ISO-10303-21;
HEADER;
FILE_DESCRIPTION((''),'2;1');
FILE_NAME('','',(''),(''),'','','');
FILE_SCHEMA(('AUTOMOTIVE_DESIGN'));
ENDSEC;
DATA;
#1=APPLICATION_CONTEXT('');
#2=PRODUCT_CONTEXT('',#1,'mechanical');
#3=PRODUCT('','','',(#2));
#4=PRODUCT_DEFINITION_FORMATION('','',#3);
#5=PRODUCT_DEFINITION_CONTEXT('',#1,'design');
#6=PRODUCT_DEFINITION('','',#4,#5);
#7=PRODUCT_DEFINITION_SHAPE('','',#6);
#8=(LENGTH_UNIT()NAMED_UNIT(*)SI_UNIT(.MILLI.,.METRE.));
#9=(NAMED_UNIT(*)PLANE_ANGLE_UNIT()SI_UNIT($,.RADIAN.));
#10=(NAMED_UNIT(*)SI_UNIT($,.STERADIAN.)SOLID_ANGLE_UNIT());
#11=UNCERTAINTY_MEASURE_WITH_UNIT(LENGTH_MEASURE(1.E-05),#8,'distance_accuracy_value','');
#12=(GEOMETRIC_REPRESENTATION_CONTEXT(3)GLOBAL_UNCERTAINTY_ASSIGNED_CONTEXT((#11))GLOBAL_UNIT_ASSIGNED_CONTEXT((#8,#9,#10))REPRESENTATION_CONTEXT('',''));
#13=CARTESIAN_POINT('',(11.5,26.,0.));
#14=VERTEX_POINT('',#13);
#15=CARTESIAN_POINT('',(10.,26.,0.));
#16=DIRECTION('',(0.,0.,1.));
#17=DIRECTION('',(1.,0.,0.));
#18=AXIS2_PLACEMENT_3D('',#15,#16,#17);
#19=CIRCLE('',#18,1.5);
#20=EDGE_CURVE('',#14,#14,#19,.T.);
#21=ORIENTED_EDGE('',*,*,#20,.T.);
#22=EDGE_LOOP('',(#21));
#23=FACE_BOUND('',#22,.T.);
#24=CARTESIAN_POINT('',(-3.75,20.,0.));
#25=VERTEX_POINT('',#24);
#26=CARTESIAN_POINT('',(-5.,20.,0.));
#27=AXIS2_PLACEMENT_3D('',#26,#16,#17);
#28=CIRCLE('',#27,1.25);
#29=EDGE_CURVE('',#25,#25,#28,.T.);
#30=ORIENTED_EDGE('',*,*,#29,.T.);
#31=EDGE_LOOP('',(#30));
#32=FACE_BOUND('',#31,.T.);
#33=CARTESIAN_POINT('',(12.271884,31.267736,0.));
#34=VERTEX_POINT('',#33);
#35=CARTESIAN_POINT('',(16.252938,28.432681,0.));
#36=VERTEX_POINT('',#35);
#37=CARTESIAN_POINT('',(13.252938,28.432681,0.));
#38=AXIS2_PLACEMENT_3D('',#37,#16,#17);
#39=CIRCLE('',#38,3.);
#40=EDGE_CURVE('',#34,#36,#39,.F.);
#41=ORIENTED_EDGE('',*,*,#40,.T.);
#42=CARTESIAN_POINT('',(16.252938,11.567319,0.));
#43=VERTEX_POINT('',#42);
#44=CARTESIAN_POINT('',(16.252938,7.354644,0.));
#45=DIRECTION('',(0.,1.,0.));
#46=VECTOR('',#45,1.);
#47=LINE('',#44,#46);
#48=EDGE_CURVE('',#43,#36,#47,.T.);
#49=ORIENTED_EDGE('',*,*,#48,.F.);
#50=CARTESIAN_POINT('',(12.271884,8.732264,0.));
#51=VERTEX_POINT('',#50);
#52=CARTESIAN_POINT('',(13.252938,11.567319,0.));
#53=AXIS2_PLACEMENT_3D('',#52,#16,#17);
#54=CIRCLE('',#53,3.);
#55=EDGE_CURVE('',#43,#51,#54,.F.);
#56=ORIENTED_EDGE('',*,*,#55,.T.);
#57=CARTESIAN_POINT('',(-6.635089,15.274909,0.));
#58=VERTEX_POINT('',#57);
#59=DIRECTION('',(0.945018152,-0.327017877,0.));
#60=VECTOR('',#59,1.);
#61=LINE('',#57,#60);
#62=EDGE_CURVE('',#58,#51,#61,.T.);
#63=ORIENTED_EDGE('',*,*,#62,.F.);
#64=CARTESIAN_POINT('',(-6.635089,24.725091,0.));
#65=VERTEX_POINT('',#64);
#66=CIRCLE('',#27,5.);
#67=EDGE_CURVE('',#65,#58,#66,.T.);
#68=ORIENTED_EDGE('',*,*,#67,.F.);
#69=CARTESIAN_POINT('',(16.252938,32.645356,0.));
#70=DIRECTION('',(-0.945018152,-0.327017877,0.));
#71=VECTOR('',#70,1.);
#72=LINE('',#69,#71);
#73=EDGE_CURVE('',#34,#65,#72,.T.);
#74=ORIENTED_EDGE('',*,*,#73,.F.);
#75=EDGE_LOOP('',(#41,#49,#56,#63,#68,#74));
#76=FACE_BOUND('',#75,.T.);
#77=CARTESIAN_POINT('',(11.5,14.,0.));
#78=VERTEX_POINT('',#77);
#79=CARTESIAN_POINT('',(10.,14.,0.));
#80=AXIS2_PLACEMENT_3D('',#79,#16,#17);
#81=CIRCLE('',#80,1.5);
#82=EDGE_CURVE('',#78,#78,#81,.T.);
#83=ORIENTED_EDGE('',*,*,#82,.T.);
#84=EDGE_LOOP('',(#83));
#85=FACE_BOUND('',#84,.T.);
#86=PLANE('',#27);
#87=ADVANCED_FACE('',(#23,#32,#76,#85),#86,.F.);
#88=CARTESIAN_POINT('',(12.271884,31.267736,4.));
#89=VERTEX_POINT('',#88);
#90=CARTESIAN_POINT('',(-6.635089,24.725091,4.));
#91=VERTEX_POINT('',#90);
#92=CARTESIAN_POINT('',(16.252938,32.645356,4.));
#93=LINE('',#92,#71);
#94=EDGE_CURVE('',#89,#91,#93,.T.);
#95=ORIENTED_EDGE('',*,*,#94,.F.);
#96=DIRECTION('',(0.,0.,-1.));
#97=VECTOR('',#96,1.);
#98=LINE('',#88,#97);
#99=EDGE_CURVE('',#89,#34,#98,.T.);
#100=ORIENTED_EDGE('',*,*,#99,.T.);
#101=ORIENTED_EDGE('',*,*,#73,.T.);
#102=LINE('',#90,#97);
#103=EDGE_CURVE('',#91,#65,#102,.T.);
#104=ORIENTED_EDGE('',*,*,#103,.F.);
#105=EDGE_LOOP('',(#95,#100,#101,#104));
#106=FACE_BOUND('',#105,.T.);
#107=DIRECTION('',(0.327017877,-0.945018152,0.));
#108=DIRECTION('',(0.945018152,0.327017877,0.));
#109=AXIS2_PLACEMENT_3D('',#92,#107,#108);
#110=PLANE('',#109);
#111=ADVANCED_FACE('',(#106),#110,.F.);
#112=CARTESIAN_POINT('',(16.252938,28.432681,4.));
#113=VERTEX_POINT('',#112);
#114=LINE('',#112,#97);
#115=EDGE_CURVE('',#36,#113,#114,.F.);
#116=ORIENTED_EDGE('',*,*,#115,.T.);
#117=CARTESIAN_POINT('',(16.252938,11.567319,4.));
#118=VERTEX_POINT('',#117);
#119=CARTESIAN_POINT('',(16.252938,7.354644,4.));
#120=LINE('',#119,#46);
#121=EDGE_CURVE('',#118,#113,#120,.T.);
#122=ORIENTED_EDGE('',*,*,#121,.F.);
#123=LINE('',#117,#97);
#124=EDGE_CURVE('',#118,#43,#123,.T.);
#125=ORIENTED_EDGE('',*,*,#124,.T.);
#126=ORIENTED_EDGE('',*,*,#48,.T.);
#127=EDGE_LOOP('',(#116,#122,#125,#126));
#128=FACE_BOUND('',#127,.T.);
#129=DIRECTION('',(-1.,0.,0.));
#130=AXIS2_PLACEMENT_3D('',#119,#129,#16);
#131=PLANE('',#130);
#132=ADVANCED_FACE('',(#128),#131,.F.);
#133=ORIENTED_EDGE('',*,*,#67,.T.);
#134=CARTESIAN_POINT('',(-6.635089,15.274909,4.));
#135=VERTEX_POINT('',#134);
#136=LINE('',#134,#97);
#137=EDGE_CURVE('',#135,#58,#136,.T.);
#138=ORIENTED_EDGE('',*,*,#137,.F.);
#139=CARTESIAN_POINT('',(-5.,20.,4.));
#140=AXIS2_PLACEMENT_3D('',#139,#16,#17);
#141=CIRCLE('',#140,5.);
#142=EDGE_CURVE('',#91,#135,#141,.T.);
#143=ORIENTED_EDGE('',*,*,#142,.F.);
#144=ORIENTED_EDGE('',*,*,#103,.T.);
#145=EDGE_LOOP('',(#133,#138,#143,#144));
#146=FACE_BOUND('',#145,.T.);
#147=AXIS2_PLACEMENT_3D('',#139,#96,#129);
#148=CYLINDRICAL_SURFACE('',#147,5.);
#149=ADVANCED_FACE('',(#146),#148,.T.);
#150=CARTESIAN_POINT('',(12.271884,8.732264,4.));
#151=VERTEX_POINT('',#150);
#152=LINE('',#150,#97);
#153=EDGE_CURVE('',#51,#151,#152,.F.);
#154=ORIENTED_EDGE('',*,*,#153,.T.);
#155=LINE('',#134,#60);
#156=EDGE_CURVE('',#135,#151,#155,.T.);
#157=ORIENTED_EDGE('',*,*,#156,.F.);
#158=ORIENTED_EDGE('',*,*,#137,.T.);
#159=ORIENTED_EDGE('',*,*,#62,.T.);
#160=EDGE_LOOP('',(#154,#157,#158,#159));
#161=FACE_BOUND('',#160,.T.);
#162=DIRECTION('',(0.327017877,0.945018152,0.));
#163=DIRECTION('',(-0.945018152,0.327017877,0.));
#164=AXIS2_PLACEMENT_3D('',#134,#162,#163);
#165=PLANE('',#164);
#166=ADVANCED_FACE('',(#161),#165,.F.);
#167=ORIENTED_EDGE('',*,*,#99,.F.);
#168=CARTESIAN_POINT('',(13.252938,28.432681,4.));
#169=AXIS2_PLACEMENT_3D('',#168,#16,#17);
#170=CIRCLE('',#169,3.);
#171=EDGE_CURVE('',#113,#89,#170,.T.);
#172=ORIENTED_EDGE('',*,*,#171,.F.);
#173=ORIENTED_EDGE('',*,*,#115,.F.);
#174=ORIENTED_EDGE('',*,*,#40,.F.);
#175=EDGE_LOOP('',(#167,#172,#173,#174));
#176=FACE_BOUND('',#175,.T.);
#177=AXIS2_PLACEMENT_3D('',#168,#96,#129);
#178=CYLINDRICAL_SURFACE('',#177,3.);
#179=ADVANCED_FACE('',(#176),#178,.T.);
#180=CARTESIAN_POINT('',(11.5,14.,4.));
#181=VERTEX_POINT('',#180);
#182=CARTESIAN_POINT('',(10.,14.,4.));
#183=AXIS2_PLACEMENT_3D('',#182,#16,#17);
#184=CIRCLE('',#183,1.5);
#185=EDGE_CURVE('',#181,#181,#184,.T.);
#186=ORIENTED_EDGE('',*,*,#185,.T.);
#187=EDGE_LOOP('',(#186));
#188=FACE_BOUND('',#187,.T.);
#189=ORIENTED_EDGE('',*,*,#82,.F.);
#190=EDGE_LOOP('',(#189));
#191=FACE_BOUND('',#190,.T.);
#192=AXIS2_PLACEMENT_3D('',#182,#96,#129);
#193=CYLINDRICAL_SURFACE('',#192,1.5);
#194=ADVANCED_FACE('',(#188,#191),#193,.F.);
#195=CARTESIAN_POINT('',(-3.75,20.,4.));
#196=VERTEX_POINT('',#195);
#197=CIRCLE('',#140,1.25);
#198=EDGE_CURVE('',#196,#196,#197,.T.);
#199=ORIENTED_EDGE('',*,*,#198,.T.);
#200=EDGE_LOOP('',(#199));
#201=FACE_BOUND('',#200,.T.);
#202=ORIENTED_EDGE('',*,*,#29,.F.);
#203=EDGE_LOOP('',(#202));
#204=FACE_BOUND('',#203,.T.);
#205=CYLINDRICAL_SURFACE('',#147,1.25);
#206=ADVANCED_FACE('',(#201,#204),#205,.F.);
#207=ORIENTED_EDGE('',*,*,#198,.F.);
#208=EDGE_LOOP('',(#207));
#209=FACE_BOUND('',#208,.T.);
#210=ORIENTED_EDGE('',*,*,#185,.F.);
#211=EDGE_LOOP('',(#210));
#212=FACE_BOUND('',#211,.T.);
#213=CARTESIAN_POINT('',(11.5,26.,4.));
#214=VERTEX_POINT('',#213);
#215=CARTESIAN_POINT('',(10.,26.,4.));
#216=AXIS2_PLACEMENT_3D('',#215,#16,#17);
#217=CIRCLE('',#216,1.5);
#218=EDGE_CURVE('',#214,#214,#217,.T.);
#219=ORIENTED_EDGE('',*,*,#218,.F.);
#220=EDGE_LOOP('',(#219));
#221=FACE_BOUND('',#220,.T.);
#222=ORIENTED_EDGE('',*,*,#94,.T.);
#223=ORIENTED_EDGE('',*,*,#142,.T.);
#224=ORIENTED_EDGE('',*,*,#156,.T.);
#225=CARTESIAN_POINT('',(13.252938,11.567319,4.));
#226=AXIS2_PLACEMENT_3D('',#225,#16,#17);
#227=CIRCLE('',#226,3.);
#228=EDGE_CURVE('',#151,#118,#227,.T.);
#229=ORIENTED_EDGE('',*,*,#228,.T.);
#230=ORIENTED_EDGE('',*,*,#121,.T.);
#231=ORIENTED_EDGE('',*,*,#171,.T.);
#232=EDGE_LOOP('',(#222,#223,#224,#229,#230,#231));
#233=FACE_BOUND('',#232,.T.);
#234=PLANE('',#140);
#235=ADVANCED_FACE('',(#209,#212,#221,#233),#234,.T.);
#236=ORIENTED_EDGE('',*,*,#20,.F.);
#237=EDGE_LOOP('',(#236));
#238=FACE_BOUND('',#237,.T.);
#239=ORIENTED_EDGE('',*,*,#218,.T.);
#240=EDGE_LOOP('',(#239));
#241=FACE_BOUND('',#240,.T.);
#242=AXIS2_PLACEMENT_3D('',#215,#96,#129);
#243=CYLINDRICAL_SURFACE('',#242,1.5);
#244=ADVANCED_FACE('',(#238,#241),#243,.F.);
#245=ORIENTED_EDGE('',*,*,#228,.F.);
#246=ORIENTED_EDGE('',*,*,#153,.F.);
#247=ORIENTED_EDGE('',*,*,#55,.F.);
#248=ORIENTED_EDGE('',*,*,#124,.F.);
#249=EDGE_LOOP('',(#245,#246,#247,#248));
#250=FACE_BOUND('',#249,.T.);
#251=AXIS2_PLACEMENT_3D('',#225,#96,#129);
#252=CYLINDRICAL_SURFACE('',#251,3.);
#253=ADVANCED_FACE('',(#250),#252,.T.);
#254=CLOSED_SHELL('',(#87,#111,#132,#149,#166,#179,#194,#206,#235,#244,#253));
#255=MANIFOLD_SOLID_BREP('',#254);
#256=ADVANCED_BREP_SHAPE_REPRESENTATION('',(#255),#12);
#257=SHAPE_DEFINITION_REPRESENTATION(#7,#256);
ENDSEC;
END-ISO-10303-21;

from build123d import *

# Parameters (mm, degrees)
SKETCH_1_R      = 1.25
SKETCH_1_R_2    = 1.5
EXTRUDE_1_DEPTH = 4
FILLET_1_R      = 3


with BuildPart() as part:
    # 草图1 → 凸台-拉伸1 (new body)
    with BuildSketch(Plane.XY):
        with BuildLine():
            Line((-6.635089387, 15.274909239), (16.252937679, 7.354644413))
            Line((16.252937679, 7.354644413), (16.252937679, 32.645355587))
            Line((16.252937679, 32.645355587), (-6.635089387, 24.725090761))
            ThreePointArc((-6.635089387, 24.725090761), (-10, 20), (-6.635089387, 15.274909239))
        make_face()
        with Locations((-5, 20)):
            Circle(SKETCH_1_R, mode=Mode.SUBTRACT)
        with Locations((10, 26)):
            Circle(SKETCH_1_R_2, mode=Mode.SUBTRACT)
        with Locations((10, 14)):
            Circle(SKETCH_1_R_2, mode=Mode.SUBTRACT)
    extrude(amount=EXTRUDE_1_DEPTH)

    # 圆角1
    fillet_1_edges = [part.edges().sort_by_distance(p)[0] for p in [
        (16.252937679, 32.645355587, 2),
        (16.252937679, 7.354644413, 2),
    ]]
    fillet(fillet_1_edges, radius=FILLET_1_R)


solid = part.part
